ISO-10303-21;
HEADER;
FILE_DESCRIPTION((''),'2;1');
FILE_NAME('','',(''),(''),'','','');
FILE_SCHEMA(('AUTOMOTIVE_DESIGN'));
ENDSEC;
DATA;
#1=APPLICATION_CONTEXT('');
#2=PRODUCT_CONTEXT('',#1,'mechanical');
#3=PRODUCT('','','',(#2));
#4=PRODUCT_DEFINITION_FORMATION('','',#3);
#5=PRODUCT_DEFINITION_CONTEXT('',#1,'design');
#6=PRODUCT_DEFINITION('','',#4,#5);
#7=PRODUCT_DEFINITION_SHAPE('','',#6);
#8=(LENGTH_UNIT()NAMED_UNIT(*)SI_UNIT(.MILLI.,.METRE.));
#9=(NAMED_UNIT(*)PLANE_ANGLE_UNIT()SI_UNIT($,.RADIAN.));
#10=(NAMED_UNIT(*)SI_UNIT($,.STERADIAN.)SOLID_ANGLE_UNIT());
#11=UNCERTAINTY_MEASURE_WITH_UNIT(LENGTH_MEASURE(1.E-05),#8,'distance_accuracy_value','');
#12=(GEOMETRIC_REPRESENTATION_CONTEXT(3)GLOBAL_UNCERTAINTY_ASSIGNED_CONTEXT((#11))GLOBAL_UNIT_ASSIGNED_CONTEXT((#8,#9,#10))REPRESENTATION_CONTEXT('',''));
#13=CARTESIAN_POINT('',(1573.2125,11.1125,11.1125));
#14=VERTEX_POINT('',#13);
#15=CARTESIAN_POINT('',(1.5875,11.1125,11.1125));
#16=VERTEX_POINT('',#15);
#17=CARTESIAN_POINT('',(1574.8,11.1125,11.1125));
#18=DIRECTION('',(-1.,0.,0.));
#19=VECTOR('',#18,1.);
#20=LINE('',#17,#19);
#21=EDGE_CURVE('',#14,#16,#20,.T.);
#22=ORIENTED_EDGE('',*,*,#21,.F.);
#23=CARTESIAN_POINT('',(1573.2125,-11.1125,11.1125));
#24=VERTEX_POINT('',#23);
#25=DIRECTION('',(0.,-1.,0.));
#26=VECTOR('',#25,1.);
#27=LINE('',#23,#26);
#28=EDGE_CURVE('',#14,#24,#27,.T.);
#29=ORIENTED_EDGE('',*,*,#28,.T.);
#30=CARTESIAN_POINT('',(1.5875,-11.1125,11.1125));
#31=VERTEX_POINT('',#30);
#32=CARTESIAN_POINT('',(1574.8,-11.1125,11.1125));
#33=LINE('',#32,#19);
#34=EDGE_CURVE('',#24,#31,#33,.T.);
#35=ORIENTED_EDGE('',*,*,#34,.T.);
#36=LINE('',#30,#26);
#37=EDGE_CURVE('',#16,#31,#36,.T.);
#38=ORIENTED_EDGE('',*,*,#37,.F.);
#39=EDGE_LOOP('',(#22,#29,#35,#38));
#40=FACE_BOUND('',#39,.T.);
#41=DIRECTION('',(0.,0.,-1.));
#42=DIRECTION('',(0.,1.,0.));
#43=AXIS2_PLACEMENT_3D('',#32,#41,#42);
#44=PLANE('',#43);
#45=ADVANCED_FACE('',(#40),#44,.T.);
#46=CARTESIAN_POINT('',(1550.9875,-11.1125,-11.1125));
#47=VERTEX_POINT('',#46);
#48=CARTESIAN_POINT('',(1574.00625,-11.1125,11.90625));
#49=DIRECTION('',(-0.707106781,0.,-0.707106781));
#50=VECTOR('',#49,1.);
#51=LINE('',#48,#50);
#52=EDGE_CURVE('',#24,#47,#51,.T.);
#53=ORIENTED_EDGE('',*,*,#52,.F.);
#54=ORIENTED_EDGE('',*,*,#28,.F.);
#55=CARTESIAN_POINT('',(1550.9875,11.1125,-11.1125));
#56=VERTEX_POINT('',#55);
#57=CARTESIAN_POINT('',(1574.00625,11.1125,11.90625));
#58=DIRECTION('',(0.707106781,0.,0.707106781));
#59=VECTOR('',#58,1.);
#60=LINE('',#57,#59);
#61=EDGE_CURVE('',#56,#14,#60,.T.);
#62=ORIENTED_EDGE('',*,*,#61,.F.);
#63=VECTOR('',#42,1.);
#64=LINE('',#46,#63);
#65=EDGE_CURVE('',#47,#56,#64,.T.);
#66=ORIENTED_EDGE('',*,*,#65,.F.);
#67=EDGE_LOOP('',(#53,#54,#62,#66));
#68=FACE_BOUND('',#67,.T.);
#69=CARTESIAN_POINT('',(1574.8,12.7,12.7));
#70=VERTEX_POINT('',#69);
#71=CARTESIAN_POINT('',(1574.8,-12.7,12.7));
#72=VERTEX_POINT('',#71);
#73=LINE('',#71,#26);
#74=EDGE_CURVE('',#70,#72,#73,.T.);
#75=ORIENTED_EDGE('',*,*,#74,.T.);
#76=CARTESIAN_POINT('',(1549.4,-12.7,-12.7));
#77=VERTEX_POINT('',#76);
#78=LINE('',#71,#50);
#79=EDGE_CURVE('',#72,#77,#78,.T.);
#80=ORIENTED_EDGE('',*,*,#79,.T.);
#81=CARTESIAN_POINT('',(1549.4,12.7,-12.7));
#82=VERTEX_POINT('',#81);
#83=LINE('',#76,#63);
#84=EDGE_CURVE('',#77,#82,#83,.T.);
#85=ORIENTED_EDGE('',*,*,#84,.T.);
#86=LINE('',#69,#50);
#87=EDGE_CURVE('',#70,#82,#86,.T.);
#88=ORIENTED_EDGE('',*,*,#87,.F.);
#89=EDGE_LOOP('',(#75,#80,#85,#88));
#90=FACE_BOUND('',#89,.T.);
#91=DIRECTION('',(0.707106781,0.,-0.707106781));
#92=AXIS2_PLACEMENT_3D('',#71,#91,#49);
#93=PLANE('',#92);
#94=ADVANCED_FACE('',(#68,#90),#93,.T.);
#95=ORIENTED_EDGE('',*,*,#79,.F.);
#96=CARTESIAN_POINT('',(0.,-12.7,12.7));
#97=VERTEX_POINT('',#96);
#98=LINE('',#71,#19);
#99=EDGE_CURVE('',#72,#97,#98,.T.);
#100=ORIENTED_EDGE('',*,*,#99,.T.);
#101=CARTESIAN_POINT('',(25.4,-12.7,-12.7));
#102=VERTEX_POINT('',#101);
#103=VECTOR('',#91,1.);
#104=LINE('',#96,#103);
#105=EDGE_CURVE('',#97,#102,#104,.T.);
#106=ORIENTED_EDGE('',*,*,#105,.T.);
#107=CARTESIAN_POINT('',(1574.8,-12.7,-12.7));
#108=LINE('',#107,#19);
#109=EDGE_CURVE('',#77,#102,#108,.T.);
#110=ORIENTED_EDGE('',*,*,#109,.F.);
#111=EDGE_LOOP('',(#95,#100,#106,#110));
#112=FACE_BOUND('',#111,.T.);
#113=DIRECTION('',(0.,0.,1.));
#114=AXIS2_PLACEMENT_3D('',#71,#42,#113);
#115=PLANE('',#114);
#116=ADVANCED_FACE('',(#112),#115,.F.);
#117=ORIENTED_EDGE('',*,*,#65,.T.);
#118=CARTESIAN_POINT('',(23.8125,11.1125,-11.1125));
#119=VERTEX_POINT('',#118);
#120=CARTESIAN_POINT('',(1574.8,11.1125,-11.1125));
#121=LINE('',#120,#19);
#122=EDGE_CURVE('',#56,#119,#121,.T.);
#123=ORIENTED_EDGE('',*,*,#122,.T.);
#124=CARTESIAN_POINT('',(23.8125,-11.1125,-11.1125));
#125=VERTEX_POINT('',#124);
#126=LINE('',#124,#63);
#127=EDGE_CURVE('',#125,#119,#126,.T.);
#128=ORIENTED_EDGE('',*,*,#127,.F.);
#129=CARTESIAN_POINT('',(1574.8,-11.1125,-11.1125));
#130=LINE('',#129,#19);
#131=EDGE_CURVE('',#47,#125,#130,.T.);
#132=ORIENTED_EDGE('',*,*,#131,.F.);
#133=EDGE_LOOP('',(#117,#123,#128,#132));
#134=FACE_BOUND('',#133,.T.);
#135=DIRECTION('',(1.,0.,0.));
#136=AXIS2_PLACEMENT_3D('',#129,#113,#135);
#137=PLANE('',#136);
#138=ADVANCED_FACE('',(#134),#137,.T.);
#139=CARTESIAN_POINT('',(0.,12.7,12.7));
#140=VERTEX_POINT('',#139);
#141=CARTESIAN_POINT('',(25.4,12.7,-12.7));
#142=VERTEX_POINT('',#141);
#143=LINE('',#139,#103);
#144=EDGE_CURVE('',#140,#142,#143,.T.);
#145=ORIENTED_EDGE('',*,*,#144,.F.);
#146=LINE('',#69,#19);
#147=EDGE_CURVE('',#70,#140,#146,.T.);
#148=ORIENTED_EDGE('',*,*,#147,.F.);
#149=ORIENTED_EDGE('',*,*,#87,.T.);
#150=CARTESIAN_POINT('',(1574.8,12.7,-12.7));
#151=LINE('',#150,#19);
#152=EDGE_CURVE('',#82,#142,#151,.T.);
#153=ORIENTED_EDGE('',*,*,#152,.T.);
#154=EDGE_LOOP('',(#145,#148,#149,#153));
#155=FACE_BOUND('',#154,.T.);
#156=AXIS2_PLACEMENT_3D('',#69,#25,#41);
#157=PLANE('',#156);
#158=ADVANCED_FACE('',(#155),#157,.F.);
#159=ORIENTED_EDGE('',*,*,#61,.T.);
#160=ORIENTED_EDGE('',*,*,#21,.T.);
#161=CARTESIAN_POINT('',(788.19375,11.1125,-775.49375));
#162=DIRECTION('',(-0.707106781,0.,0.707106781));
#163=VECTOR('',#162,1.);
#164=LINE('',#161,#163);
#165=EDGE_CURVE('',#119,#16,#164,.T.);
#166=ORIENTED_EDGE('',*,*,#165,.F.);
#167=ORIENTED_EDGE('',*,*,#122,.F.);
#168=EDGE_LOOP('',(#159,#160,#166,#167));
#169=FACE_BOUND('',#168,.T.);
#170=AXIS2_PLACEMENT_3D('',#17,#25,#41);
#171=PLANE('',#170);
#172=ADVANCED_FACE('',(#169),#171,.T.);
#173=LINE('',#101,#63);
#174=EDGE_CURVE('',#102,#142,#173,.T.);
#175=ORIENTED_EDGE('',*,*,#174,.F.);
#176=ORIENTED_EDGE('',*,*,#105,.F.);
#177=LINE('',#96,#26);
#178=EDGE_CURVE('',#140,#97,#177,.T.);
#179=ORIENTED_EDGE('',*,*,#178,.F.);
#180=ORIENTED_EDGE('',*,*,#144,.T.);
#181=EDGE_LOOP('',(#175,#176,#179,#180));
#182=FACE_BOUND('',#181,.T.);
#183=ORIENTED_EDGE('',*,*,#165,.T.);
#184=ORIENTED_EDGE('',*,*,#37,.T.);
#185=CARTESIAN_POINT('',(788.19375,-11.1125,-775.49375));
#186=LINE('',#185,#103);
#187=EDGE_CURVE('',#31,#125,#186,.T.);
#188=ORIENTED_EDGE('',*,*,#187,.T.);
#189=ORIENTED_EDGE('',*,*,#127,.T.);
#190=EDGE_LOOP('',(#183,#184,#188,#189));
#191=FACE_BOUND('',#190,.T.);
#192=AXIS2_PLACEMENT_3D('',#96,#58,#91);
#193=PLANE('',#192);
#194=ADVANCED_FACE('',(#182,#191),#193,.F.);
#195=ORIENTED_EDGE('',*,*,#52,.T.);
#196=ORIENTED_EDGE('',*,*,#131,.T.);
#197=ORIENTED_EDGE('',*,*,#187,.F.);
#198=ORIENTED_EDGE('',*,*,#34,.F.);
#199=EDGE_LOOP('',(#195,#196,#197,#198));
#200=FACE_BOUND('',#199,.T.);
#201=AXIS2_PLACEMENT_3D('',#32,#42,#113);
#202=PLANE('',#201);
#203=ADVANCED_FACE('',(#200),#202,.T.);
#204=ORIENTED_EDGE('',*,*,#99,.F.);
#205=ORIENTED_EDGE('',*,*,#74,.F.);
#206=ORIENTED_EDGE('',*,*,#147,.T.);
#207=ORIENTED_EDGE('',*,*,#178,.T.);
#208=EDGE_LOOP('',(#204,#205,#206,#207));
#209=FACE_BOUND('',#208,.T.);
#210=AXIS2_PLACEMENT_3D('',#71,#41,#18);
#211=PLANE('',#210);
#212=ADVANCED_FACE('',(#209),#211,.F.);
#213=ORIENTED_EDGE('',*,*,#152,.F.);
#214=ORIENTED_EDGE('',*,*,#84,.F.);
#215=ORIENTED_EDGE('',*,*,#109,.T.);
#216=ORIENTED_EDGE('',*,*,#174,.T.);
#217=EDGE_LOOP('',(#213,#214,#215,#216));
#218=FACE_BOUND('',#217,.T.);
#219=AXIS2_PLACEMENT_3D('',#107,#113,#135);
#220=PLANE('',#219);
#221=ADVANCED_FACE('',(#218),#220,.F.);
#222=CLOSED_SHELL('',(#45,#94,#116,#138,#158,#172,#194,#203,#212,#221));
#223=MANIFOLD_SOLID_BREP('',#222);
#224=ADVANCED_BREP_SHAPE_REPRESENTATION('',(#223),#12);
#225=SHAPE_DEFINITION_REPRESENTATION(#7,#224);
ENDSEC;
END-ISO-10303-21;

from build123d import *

# Parameters (mm, degrees)
SKETCH1_W           = 25.4
SKETCH1_H           = 25.4
SKETCH1_W_2         = 22.225
SKETCH1_H_2         = 22.225
BOSS_EXTRUDE1_DEPTH = 1574.8
CUT_EXTRUDE1_DEPTH  = 1576.056027575


with BuildPart() as part:
    # Sketch1 → Boss-Extrude1 (new body)
    with BuildSketch(Plane(origin=(0, 0, 0), x_dir=(0, 0, -1), z_dir=(1, 0, 0))):
        Rectangle(SKETCH1_W, SKETCH1_H)
        Rectangle(SKETCH1_W_2, SKETCH1_H_2, mode=Mode.SUBTRACT)
    extrude(amount=BOSS_EXTRUDE1_DEPTH)

    # Sketch2 → Cut-Extrude1 (cut, through all)
    with BuildSketch(Plane(origin=(0, 12.7, 0), x_dir=(1, 0, 0), z_dir=(0, 1, 0))):
        Polygon((0, -12.7), (25.4, 12.7), (0, 12.7), align=None)
    cut_extrude1 = extrude(amount=-CUT_EXTRUDE1_DEPTH, mode=Mode.SUBTRACT)

    # Mirror1: Cut-Extrude1 across plane
    add(cut_extrude1.mirror(Plane(origin=(787.4, 0, 0), x_dir=(0, 0, 1), z_dir=(1, 0, 0))), mode=Mode.SUBTRACT)


solid = part.part
